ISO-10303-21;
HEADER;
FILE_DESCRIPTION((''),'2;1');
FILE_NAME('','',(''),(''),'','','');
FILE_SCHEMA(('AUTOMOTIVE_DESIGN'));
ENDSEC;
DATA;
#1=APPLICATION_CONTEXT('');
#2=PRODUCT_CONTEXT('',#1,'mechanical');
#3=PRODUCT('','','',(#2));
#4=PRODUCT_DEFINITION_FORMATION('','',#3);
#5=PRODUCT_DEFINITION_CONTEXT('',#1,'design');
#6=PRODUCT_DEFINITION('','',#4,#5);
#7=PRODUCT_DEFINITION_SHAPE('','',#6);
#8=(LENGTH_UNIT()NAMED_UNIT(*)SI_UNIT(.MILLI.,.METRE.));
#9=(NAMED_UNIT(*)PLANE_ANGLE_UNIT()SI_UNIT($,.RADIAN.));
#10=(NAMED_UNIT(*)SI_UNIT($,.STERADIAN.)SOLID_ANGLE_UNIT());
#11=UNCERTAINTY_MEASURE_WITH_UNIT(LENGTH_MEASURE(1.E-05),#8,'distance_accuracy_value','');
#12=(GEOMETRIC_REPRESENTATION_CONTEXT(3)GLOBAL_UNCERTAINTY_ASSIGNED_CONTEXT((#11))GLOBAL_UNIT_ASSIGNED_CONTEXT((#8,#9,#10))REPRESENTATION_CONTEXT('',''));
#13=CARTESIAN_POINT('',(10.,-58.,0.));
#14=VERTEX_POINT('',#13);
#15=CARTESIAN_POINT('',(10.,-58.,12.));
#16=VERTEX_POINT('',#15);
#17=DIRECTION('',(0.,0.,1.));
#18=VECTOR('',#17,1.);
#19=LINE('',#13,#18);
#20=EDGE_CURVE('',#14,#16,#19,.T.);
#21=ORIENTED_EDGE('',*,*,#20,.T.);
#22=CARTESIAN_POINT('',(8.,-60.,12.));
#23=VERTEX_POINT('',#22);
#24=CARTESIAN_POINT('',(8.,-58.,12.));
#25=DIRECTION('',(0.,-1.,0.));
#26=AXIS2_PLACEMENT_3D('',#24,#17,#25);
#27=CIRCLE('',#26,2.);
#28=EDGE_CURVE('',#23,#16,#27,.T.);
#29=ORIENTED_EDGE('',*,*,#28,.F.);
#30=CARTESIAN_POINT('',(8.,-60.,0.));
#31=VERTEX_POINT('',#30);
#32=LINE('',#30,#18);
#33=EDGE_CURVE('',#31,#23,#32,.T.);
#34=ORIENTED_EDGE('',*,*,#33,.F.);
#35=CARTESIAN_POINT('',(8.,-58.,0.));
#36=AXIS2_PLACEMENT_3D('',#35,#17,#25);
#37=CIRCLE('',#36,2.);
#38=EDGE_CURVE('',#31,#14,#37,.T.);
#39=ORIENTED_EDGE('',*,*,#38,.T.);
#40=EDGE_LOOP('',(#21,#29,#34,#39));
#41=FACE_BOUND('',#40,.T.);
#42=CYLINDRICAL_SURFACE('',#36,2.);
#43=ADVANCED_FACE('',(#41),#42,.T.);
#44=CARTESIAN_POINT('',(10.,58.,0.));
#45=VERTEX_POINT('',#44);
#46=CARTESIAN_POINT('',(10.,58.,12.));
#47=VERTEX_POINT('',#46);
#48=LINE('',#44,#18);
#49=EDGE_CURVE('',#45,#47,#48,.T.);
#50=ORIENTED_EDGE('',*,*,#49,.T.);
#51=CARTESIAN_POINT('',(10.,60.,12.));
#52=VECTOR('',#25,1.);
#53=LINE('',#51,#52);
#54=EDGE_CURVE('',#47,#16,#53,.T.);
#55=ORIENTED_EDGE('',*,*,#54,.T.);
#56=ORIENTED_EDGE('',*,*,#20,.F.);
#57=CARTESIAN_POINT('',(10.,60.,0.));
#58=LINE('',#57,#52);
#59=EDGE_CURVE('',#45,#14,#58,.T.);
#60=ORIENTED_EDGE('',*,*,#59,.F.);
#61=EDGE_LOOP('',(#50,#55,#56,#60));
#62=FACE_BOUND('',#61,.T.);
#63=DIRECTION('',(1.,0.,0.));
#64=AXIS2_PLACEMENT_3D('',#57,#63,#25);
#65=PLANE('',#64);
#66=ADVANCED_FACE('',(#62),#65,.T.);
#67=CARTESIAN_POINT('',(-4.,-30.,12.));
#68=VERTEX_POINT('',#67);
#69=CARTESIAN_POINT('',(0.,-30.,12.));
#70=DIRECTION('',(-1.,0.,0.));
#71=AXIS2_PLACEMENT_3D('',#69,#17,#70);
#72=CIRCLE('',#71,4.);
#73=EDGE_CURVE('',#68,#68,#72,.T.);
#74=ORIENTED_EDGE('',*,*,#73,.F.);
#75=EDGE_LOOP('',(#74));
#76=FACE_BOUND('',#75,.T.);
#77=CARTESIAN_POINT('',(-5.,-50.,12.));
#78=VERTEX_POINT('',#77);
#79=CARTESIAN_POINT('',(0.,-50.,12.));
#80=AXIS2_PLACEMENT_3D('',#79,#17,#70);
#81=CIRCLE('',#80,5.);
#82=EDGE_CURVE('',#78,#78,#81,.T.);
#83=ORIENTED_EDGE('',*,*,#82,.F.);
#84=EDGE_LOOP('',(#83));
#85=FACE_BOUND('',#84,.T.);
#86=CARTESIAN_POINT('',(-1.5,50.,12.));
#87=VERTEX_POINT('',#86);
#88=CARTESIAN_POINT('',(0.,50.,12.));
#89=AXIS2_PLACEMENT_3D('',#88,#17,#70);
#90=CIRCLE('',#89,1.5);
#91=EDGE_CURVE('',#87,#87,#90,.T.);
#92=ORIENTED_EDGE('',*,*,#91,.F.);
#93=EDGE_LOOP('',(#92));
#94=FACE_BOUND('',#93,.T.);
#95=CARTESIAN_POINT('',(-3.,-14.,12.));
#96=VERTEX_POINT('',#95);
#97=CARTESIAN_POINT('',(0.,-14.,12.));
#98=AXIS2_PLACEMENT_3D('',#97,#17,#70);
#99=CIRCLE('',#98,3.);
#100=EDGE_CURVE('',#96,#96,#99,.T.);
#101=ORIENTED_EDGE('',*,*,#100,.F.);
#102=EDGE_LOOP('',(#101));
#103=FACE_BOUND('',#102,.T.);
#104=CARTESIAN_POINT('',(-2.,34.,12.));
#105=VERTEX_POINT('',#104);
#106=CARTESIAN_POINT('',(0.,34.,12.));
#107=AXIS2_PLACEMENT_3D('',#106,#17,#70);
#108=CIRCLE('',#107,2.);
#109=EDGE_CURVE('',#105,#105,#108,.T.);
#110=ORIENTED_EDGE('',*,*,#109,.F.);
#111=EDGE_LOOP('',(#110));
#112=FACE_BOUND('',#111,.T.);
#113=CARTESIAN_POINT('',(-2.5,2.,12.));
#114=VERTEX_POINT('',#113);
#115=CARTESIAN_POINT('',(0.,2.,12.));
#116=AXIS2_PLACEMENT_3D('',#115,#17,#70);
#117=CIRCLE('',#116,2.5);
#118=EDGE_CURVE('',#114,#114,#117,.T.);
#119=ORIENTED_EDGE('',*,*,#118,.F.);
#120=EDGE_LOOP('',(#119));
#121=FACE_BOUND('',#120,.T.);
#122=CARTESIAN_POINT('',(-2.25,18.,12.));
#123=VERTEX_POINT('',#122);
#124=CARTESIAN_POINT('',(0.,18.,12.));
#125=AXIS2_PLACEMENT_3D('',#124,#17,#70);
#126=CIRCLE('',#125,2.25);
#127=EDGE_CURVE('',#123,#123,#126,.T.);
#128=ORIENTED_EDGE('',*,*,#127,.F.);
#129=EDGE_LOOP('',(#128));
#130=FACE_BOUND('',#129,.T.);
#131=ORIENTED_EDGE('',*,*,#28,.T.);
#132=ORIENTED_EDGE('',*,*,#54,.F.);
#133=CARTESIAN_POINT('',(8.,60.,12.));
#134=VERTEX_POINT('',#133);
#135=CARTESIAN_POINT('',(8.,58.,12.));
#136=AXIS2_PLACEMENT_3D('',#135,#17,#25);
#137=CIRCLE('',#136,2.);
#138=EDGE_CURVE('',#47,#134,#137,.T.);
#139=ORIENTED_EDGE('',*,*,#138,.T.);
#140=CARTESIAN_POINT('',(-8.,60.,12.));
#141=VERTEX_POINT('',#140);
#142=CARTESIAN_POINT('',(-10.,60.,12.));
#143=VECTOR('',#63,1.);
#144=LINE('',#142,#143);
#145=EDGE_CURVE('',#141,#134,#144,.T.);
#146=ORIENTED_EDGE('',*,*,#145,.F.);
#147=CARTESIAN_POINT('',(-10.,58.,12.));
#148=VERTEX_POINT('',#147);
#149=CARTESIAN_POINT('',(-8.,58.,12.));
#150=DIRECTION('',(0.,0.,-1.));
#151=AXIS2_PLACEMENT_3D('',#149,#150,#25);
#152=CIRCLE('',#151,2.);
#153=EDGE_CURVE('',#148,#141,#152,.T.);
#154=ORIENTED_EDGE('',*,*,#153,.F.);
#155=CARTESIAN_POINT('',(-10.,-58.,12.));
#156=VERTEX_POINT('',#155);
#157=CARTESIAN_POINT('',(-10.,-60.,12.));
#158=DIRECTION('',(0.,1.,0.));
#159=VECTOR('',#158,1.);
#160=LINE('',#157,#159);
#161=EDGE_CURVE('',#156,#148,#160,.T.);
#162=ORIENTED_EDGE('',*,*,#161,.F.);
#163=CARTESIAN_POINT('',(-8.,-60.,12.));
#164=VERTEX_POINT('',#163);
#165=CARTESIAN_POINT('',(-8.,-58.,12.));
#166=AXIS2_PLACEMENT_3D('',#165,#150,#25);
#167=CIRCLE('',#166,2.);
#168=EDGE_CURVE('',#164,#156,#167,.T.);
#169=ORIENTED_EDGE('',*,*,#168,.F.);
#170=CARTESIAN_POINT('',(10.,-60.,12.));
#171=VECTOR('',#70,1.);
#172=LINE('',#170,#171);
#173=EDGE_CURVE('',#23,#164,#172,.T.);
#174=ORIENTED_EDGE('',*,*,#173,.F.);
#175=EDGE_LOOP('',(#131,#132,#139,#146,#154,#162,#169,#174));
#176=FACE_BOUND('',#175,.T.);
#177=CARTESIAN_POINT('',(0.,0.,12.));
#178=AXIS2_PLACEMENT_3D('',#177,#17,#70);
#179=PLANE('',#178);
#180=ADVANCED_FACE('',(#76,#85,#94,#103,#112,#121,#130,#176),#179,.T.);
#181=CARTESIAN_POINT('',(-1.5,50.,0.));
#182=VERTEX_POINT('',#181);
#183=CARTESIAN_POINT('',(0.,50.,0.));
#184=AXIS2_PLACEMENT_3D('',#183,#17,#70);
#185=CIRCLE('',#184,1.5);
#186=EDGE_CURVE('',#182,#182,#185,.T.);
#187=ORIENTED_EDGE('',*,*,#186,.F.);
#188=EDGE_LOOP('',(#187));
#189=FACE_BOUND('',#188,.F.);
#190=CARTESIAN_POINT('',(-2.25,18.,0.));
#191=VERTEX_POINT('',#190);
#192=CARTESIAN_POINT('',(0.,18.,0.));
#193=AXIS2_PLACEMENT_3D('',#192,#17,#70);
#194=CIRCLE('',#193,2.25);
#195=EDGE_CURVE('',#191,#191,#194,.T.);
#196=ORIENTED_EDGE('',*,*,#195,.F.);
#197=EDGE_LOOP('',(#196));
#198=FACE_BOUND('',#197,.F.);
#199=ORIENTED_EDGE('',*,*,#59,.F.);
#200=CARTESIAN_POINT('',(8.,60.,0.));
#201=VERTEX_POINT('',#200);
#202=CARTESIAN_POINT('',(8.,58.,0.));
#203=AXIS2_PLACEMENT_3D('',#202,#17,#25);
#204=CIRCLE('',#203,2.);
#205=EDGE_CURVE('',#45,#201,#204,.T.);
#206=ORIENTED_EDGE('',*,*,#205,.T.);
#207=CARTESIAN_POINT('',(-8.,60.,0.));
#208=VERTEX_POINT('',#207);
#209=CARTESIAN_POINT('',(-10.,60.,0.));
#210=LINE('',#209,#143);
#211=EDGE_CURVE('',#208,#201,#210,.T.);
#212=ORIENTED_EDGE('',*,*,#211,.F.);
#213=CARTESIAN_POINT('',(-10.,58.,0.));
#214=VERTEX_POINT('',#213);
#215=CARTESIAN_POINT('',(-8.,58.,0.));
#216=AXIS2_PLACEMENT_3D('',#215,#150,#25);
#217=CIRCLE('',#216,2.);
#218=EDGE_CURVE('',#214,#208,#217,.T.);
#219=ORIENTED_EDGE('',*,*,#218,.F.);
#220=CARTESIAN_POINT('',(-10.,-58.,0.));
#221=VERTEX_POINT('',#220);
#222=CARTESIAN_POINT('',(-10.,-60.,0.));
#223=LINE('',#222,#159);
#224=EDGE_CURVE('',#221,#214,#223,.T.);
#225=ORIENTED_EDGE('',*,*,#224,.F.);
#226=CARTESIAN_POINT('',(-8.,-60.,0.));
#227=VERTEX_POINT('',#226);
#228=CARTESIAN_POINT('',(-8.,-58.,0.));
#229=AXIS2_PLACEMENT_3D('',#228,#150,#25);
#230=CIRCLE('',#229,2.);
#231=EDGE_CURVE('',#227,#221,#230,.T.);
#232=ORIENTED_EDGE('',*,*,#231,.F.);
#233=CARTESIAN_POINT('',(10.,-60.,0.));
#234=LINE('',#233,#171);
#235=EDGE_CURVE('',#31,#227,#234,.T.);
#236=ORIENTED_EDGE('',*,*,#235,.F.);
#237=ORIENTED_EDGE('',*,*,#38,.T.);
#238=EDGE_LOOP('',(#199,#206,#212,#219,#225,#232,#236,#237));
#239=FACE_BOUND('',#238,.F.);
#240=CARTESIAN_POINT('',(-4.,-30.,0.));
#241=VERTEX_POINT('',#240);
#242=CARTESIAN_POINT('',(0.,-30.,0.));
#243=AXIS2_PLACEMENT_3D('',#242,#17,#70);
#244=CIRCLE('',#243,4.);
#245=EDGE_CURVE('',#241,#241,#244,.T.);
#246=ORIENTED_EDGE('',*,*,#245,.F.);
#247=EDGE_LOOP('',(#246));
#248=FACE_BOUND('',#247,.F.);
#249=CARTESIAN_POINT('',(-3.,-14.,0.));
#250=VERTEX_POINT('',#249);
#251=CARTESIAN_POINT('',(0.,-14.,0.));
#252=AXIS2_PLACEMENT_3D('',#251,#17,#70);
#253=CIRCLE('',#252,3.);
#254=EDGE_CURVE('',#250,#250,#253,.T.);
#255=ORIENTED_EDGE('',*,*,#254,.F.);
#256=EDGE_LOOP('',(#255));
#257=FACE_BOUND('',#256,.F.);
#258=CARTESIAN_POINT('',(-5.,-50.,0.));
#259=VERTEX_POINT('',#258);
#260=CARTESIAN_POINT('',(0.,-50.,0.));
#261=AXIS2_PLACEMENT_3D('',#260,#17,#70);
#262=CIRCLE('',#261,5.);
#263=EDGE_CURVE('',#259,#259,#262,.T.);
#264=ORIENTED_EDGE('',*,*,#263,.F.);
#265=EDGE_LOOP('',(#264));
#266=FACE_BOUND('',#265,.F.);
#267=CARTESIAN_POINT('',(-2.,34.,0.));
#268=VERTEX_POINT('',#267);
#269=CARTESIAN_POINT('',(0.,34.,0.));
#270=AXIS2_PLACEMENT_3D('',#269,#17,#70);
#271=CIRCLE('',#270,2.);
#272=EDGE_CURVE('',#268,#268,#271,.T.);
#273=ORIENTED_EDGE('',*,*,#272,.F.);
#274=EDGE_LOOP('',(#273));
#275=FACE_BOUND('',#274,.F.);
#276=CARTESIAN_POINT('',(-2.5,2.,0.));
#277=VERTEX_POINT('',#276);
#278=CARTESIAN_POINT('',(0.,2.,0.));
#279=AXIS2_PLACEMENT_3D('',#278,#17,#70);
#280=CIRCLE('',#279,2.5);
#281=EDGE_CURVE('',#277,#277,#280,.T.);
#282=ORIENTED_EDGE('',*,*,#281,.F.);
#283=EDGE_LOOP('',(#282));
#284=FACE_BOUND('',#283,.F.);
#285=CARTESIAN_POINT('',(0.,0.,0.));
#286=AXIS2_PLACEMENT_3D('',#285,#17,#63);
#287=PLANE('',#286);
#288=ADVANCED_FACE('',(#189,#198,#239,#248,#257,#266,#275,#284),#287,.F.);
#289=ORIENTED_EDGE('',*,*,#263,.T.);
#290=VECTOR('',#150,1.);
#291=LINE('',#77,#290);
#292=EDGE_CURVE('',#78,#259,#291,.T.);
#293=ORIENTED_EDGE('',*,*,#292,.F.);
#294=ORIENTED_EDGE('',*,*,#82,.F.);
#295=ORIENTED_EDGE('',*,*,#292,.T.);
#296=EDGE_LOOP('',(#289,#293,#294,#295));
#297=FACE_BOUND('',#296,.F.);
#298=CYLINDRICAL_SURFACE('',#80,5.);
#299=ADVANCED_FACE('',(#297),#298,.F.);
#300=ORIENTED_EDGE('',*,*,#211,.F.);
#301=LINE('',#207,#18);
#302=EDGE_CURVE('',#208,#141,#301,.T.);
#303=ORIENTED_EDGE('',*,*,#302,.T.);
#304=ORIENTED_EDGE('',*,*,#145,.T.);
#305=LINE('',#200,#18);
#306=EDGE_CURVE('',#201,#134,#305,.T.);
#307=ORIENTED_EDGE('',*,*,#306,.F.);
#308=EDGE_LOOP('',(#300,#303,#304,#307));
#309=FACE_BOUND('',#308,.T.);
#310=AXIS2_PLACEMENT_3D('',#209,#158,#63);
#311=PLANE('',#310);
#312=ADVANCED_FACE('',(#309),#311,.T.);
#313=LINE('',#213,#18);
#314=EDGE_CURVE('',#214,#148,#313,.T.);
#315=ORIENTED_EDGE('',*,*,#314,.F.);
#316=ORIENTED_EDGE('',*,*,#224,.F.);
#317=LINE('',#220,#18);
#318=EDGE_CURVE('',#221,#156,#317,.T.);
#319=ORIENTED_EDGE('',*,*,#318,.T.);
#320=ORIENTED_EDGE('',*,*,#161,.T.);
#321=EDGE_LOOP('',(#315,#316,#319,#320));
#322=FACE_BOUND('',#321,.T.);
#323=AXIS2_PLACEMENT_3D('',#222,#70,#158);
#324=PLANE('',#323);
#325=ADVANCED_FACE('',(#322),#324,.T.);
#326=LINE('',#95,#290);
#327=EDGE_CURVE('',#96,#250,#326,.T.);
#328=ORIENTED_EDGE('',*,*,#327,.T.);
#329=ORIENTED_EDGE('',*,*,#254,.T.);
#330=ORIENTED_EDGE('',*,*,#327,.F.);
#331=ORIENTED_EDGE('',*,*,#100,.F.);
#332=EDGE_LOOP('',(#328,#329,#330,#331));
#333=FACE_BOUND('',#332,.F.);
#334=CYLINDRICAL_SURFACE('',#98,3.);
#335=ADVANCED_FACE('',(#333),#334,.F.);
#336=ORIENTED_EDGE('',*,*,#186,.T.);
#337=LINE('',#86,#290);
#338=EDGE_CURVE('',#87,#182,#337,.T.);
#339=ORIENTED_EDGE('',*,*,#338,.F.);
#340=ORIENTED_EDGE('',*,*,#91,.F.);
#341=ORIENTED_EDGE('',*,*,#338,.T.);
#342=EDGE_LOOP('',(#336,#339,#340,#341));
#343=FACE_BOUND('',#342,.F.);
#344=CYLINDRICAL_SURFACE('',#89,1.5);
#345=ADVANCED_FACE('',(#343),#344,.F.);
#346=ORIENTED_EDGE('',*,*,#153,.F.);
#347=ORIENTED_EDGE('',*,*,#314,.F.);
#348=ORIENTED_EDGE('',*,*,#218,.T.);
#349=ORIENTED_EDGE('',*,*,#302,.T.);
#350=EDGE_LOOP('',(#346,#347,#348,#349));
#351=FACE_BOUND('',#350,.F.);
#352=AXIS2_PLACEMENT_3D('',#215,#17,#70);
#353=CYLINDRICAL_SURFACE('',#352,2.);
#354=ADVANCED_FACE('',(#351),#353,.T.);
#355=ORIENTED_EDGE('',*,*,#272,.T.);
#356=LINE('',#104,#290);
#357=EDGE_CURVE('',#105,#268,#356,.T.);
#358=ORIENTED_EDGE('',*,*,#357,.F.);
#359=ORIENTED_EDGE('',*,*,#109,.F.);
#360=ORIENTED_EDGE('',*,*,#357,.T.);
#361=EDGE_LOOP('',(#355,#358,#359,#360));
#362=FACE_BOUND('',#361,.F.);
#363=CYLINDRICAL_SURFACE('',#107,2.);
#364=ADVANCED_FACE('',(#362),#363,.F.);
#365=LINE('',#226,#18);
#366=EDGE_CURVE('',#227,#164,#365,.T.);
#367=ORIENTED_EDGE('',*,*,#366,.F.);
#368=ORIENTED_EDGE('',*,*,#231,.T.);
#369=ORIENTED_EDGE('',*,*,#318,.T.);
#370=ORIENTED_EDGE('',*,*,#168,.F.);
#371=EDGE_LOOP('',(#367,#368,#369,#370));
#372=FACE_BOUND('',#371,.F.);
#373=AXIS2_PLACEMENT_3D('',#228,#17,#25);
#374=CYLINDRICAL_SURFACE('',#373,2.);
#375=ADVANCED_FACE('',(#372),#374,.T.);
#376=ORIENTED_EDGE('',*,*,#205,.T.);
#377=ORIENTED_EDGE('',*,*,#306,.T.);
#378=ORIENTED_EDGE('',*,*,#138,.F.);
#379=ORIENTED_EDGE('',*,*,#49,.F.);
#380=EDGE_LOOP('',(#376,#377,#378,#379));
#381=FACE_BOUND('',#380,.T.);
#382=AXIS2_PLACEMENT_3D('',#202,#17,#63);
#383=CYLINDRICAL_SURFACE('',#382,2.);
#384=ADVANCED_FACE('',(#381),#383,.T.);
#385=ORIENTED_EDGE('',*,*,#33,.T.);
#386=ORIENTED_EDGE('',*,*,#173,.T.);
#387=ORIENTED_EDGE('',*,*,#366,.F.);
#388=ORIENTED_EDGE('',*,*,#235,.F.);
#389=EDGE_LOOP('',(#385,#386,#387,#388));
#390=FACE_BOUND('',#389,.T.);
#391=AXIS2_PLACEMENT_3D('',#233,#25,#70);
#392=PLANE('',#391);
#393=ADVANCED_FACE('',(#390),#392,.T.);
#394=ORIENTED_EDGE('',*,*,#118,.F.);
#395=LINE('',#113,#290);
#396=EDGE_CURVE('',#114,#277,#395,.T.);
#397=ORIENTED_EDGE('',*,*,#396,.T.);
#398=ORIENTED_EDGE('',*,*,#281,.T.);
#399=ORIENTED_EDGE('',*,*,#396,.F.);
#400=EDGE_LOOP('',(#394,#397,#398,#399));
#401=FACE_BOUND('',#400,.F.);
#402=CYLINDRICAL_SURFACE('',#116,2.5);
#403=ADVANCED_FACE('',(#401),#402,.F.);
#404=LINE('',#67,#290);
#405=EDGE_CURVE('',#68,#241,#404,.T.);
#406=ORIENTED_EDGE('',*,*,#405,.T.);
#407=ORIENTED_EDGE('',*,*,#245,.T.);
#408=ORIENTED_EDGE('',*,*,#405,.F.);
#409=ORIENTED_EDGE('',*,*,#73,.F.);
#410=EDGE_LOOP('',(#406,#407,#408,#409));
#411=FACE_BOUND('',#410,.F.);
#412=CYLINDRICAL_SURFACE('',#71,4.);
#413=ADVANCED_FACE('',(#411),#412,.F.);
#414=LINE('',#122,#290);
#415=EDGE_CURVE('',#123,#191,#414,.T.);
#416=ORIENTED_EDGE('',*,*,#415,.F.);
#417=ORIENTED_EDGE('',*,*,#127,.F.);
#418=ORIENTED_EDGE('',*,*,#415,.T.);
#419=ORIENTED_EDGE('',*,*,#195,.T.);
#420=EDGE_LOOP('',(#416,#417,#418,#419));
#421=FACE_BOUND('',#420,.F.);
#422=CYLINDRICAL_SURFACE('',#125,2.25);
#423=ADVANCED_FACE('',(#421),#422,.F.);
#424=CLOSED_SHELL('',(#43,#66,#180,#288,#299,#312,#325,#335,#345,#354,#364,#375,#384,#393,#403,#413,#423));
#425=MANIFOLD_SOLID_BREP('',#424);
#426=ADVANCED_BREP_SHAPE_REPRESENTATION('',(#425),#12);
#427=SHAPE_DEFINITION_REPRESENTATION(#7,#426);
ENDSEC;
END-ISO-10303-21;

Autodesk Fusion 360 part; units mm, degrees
sketch "Sketch1" plane through (0, 0, 0) normal (0, 0, 1) x (1, 0, 0)
  line L0 (10, -60) -> (-10, -60)
  line L1 (-10, -60) -> (-10, 60)
  line L2 (-10, 60) -> (10, 60)
  line L3 (10, 60) -> (10, -60)
  line L4 (10, -60) -> (-10, 60) construction
  line L5 (-10, -60) -> (10, 60) construction
  dimension "d1" = 20
  dimension "d2" = 120
extrude "Extrude1" add sketch "Sketch1" along normal blind 12
sketch "Sketch2" plane through (0, 0, 12) normal (0, 0, 1) x (-1, 0, 0)
  line L0 (-10, -60) -> (10, -60)
  line L1 (10, -60) -> (10, 60)
  line L2 (10, 60) -> (-10, 60)
  line L3 (-10, 60) -> (-10, -60)
  circle A0 centre (0, -50) radius 2
  circle A1 centre (0, 50) radius 2
extrude "Extrude2" cut sketch "Sketch2" against normal blind 12 contours A0
sketch "Sketch3" plane through (0, 0, 12) normal (0, 0, 1) x (-1, 0, 0)
  circle A0 centre (0, -50) radius 2
  line L0 (-10, -60) -> (10, -60)
  line L1 (10, -60) -> (10, 60)
  line L2 (10, 60) -> (-10, 60)
  line L3 (-10, 60) -> (-10, -60)
  circle A1 centre (0, 50) radius 2
  dimension "d10" = 4
extrude "Extrude3" cut sketch "Sketch3" against normal blind 12 contours A1
sketch "Sketch4" plane through (0, 0, 12) normal (0, 0, 1) x (-1, 0, 0)
  circle A0 centre (0, 50) radius 2
  circle A1 centre (0, -50) radius 2
  line L0 (-10, -60) -> (10, -60)
  line L1 (10, -60) -> (10, 60)
  line L2 (10, 60) -> (-10, 60)
  line L3 (-10, 60) -> (-10, -60)
  circle A2 centre (0, -34) radius 2
  circle A3 centre (0, -18) radius 2
  circle A4 centre (0, -2) radius 2
  circle A5 centre (0, 14) radius 2
  circle A6 centre (0, 30) radius 2
  point P0 (0, -34)
  point P1 (0, -18)
  point P2 (0, -2)
  point P3 (0, 14)
  point P4 (0, 30)
  point P5 (0, -18)
  point P6 (0, -2)
  point P7 (0, 14)
  point P8 (0, 30)
  point P9 (0, 46)
  dimension "d15" = 0
  dimension "d16" = 80
  dimension "d19" = 0
  dimension "d20" = 80
extrude "Extrude4" cut sketch "Sketch4" against normal blind 12 contours A2 | A3 | A4 | A5 | A6
sketch "Sketch5" plane through (0, 0, 12) normal (0, 0, 1) x (-1, 0, 0)
  line L0 (-10, -60) -> (10, -60)
  line L1 (10, -60) -> (10, 60)
  line L2 (10, 60) -> (-10, 60)
  line L3 (-10, 60) -> (-10, -60)
  circle A0 centre (0, -50) radius 2
  circle A1 centre (0, 50) radius 2
  circle A2 centre (0, 30) radius 2
  circle A3 centre (0, -34) radius 2
  circle A4 centre (0, 14) radius 2
  circle A5 centre (0, -18) radius 2
  circle A6 centre (0, -2) radius 2
sketch "Sketch6" plane through (0, 0, 12) normal (0, 0, 1) x (1, 0, 0)
  circle A0 centre (0, 50) radius 1.5
  circle A1 centre (0, 18) radius 2.25
  circle A2 centre (0, 2) radius 2.5
  circle A3 centre (0, -14) radius 3
  circle A4 centre (0, -30) radius 4
  circle A5 centre (0, -50) radius 5
  dimension "d26" = 3
  dimension "d27" = 4.5
  dimension "d28" = 5
  dimension "d29" = 6
  dimension "d30" = 8
  dimension "d31" = 10
extrude "Extrude5" add sketch "Sketch5" against normal blind 12 contours A0
extrude "Extrude6" add sketch "Sketch6" along normal blind 12 contours A0
extrude "Extrude7" cut 1 faces at (-0.1827, 50.4654, 24) along direction (0, 0, -1) blind 12
sketch "Sketch7" plane through (0, 0, 12) normal (0, 0, 1) x (-1, 0, 0)
  line L0 (-10, -60) -> (10, -60)
  line L1 (10, -60) -> (10, 60)
  line L2 (10, 60) -> (-10, 60)
  line L3 (-10, 60) -> (-10, -60)
  circle A0 centre (0, 50) radius 2
  circle A1 centre (0, 30) radius 2
  circle A2 centre (0, -34) radius 2
  circle A3 centre (0, 14) radius 2
  circle A4 centre (0, -18) radius 2
  circle A5 centre (0, -2) radius 2
  circle A6 centre (0, -50) radius 1.5
  dimension "d38" = 3
extrude "Extrude8" cut sketch "Sketch7" against normal blind 12 contours A6
sketch "Sketch8" plane through (0, 0, 12) normal (0, 0, 1) x (-1, 0, 0)
  circle A0 centre (0, -50) radius 1.5
  line L0 (-10, -60) -> (10, -60)
  line L1 (10, -60) -> (10, 60)
  line L2 (10, 60) -> (-10, 60)
  line L3 (-10, 60) -> (-10, -60)
  circle A1 centre (0, 50) radius 2
  circle A2 centre (0, 30) radius 2
  circle A3 centre (0, -34) radius 2
  circle A4 centre (0, 14) radius 2
  circle A5 centre (0, -18) radius 2
  circle A6 centre (0, -2) radius 2
  circle A7 centre (0, -18) radius 2.25
  circle A8 centre (0, -2) radius 2.5
  circle A9 centre (0, 14) radius 3
  circle A10 centre (0, 30) radius 4
  circle A11 centre (0, 50) radius 5
  dimension "d41" = 4.5
  dimension "d42" = 5
  dimension "d43" = 6
  dimension "d44" = 8
  dimension "d45" = 10
extrude "Extrude9" cut sketch "Sketch8" against normal blind 12 contours A11
sketch "Sketch9" plane through (0, 0, 12) normal (0, 0, 1) x (-1, 0, 0)
  circle A0 centre (0, -2) radius 2
  circle A1 centre (0, -18) radius 2
  circle A2 centre (0, 14) radius 2
  circle A3 centre (0, -34) radius 2
  circle A4 centre (0, 30) radius 2
  line L0 (-10, -60) -> (10, -60)
  line L1 (10, -60) -> (10, 60)
  line L2 (10, 60) -> (-10, 60)
  line L3 (-10, 60) -> (-10, -60)
  circle A5 centre (0, -50) radius 1.5
  circle A6 centre (0, 50) radius 5
  circle A7 centre (0, 30) radius 4
  dimension "d48" = 8
extrude "Extrude10" cut sketch "Sketch9" against normal blind 12 contours A7
sketch "Sketch10" plane through (0, 0, 12) normal (0, 0, 1) x (-1, 0, 0)
  circle A0 centre (0, 50) radius 5
  circle A1 centre (0, -50) radius 1.5
  line L0 (-10, -60) -> (10, -60)
  line L1 (10, -60) -> (10, 60)
  line L2 (10, 60) -> (-10, 60)
  line L3 (-10, 60) -> (-10, -60)
  circle A2 centre (0, -34) radius 2
  circle A3 centre (0, 14) radius 2
  circle A4 centre (0, -18) radius 2
  circle A5 centre (0, -2) radius 2
  circle A6 centre (0, 30) radius 4
  circle A7 centre (0, 14) radius 3
  dimension "d51" = 6
extrude "Extrude11" cut sketch "Sketch10" against normal blind 12 contours A7
sketch "Sketch11" plane through (0, 0, 12) normal (0, 0, 1) x (-1, 0, 0)
  circle A0 centre (0, 30) radius 4
  circle A1 centre (0, -2) radius 2
  circle A2 centre (0, -18) radius 2
  circle A3 centre (0, -34) radius 2
  line L0 (-10, -60) -> (10, -60)
  line L1 (10, -60) -> (10, 60)
  line L2 (10, 60) -> (-10, 60)
  line L3 (-10, 60) -> (-10, -60)
  circle A4 centre (0, -50) radius 1.5
  circle A5 centre (0, 50) radius 5
  circle A6 centre (0, 14) radius 3
  circle A7 centre (0, -2) radius 2.5
  dimension "d54" = 5
extrude "Extrude12" cut sketch "Sketch11" against normal blind 12 contours A7
sketch "Sketch12" plane through (0, 0, 12) normal (0, 0, 1) x (-1, 0, 0)
  circle A0 centre (0, 14) radius 3
  circle A1 centre (0, 50) radius 5
  circle A2 centre (0, -50) radius 1.5
  line L0 (-10, -60) -> (10, -60)
  line L1 (10, -60) -> (10, 60)
  line L2 (10, 60) -> (-10, 60)
  line L3 (-10, 60) -> (-10, -60)
  circle A3 centre (0, -34) radius 2
  circle A4 centre (0, -18) radius 2
  circle A5 centre (0, 30) radius 4
  circle A6 centre (0, -2) radius 2.5
  circle A7 centre (0, -18) radius 2.25
  dimension "d57" = 4.5
extrude "Extrude13" cut sketch "Sketch12" against normal blind 12 contours A7
fillet "Fillet1" radius 2 4 edges at (-10, -60, 6) (-10, 60, 6) (10, 60, 6) (10, -60, 6)
